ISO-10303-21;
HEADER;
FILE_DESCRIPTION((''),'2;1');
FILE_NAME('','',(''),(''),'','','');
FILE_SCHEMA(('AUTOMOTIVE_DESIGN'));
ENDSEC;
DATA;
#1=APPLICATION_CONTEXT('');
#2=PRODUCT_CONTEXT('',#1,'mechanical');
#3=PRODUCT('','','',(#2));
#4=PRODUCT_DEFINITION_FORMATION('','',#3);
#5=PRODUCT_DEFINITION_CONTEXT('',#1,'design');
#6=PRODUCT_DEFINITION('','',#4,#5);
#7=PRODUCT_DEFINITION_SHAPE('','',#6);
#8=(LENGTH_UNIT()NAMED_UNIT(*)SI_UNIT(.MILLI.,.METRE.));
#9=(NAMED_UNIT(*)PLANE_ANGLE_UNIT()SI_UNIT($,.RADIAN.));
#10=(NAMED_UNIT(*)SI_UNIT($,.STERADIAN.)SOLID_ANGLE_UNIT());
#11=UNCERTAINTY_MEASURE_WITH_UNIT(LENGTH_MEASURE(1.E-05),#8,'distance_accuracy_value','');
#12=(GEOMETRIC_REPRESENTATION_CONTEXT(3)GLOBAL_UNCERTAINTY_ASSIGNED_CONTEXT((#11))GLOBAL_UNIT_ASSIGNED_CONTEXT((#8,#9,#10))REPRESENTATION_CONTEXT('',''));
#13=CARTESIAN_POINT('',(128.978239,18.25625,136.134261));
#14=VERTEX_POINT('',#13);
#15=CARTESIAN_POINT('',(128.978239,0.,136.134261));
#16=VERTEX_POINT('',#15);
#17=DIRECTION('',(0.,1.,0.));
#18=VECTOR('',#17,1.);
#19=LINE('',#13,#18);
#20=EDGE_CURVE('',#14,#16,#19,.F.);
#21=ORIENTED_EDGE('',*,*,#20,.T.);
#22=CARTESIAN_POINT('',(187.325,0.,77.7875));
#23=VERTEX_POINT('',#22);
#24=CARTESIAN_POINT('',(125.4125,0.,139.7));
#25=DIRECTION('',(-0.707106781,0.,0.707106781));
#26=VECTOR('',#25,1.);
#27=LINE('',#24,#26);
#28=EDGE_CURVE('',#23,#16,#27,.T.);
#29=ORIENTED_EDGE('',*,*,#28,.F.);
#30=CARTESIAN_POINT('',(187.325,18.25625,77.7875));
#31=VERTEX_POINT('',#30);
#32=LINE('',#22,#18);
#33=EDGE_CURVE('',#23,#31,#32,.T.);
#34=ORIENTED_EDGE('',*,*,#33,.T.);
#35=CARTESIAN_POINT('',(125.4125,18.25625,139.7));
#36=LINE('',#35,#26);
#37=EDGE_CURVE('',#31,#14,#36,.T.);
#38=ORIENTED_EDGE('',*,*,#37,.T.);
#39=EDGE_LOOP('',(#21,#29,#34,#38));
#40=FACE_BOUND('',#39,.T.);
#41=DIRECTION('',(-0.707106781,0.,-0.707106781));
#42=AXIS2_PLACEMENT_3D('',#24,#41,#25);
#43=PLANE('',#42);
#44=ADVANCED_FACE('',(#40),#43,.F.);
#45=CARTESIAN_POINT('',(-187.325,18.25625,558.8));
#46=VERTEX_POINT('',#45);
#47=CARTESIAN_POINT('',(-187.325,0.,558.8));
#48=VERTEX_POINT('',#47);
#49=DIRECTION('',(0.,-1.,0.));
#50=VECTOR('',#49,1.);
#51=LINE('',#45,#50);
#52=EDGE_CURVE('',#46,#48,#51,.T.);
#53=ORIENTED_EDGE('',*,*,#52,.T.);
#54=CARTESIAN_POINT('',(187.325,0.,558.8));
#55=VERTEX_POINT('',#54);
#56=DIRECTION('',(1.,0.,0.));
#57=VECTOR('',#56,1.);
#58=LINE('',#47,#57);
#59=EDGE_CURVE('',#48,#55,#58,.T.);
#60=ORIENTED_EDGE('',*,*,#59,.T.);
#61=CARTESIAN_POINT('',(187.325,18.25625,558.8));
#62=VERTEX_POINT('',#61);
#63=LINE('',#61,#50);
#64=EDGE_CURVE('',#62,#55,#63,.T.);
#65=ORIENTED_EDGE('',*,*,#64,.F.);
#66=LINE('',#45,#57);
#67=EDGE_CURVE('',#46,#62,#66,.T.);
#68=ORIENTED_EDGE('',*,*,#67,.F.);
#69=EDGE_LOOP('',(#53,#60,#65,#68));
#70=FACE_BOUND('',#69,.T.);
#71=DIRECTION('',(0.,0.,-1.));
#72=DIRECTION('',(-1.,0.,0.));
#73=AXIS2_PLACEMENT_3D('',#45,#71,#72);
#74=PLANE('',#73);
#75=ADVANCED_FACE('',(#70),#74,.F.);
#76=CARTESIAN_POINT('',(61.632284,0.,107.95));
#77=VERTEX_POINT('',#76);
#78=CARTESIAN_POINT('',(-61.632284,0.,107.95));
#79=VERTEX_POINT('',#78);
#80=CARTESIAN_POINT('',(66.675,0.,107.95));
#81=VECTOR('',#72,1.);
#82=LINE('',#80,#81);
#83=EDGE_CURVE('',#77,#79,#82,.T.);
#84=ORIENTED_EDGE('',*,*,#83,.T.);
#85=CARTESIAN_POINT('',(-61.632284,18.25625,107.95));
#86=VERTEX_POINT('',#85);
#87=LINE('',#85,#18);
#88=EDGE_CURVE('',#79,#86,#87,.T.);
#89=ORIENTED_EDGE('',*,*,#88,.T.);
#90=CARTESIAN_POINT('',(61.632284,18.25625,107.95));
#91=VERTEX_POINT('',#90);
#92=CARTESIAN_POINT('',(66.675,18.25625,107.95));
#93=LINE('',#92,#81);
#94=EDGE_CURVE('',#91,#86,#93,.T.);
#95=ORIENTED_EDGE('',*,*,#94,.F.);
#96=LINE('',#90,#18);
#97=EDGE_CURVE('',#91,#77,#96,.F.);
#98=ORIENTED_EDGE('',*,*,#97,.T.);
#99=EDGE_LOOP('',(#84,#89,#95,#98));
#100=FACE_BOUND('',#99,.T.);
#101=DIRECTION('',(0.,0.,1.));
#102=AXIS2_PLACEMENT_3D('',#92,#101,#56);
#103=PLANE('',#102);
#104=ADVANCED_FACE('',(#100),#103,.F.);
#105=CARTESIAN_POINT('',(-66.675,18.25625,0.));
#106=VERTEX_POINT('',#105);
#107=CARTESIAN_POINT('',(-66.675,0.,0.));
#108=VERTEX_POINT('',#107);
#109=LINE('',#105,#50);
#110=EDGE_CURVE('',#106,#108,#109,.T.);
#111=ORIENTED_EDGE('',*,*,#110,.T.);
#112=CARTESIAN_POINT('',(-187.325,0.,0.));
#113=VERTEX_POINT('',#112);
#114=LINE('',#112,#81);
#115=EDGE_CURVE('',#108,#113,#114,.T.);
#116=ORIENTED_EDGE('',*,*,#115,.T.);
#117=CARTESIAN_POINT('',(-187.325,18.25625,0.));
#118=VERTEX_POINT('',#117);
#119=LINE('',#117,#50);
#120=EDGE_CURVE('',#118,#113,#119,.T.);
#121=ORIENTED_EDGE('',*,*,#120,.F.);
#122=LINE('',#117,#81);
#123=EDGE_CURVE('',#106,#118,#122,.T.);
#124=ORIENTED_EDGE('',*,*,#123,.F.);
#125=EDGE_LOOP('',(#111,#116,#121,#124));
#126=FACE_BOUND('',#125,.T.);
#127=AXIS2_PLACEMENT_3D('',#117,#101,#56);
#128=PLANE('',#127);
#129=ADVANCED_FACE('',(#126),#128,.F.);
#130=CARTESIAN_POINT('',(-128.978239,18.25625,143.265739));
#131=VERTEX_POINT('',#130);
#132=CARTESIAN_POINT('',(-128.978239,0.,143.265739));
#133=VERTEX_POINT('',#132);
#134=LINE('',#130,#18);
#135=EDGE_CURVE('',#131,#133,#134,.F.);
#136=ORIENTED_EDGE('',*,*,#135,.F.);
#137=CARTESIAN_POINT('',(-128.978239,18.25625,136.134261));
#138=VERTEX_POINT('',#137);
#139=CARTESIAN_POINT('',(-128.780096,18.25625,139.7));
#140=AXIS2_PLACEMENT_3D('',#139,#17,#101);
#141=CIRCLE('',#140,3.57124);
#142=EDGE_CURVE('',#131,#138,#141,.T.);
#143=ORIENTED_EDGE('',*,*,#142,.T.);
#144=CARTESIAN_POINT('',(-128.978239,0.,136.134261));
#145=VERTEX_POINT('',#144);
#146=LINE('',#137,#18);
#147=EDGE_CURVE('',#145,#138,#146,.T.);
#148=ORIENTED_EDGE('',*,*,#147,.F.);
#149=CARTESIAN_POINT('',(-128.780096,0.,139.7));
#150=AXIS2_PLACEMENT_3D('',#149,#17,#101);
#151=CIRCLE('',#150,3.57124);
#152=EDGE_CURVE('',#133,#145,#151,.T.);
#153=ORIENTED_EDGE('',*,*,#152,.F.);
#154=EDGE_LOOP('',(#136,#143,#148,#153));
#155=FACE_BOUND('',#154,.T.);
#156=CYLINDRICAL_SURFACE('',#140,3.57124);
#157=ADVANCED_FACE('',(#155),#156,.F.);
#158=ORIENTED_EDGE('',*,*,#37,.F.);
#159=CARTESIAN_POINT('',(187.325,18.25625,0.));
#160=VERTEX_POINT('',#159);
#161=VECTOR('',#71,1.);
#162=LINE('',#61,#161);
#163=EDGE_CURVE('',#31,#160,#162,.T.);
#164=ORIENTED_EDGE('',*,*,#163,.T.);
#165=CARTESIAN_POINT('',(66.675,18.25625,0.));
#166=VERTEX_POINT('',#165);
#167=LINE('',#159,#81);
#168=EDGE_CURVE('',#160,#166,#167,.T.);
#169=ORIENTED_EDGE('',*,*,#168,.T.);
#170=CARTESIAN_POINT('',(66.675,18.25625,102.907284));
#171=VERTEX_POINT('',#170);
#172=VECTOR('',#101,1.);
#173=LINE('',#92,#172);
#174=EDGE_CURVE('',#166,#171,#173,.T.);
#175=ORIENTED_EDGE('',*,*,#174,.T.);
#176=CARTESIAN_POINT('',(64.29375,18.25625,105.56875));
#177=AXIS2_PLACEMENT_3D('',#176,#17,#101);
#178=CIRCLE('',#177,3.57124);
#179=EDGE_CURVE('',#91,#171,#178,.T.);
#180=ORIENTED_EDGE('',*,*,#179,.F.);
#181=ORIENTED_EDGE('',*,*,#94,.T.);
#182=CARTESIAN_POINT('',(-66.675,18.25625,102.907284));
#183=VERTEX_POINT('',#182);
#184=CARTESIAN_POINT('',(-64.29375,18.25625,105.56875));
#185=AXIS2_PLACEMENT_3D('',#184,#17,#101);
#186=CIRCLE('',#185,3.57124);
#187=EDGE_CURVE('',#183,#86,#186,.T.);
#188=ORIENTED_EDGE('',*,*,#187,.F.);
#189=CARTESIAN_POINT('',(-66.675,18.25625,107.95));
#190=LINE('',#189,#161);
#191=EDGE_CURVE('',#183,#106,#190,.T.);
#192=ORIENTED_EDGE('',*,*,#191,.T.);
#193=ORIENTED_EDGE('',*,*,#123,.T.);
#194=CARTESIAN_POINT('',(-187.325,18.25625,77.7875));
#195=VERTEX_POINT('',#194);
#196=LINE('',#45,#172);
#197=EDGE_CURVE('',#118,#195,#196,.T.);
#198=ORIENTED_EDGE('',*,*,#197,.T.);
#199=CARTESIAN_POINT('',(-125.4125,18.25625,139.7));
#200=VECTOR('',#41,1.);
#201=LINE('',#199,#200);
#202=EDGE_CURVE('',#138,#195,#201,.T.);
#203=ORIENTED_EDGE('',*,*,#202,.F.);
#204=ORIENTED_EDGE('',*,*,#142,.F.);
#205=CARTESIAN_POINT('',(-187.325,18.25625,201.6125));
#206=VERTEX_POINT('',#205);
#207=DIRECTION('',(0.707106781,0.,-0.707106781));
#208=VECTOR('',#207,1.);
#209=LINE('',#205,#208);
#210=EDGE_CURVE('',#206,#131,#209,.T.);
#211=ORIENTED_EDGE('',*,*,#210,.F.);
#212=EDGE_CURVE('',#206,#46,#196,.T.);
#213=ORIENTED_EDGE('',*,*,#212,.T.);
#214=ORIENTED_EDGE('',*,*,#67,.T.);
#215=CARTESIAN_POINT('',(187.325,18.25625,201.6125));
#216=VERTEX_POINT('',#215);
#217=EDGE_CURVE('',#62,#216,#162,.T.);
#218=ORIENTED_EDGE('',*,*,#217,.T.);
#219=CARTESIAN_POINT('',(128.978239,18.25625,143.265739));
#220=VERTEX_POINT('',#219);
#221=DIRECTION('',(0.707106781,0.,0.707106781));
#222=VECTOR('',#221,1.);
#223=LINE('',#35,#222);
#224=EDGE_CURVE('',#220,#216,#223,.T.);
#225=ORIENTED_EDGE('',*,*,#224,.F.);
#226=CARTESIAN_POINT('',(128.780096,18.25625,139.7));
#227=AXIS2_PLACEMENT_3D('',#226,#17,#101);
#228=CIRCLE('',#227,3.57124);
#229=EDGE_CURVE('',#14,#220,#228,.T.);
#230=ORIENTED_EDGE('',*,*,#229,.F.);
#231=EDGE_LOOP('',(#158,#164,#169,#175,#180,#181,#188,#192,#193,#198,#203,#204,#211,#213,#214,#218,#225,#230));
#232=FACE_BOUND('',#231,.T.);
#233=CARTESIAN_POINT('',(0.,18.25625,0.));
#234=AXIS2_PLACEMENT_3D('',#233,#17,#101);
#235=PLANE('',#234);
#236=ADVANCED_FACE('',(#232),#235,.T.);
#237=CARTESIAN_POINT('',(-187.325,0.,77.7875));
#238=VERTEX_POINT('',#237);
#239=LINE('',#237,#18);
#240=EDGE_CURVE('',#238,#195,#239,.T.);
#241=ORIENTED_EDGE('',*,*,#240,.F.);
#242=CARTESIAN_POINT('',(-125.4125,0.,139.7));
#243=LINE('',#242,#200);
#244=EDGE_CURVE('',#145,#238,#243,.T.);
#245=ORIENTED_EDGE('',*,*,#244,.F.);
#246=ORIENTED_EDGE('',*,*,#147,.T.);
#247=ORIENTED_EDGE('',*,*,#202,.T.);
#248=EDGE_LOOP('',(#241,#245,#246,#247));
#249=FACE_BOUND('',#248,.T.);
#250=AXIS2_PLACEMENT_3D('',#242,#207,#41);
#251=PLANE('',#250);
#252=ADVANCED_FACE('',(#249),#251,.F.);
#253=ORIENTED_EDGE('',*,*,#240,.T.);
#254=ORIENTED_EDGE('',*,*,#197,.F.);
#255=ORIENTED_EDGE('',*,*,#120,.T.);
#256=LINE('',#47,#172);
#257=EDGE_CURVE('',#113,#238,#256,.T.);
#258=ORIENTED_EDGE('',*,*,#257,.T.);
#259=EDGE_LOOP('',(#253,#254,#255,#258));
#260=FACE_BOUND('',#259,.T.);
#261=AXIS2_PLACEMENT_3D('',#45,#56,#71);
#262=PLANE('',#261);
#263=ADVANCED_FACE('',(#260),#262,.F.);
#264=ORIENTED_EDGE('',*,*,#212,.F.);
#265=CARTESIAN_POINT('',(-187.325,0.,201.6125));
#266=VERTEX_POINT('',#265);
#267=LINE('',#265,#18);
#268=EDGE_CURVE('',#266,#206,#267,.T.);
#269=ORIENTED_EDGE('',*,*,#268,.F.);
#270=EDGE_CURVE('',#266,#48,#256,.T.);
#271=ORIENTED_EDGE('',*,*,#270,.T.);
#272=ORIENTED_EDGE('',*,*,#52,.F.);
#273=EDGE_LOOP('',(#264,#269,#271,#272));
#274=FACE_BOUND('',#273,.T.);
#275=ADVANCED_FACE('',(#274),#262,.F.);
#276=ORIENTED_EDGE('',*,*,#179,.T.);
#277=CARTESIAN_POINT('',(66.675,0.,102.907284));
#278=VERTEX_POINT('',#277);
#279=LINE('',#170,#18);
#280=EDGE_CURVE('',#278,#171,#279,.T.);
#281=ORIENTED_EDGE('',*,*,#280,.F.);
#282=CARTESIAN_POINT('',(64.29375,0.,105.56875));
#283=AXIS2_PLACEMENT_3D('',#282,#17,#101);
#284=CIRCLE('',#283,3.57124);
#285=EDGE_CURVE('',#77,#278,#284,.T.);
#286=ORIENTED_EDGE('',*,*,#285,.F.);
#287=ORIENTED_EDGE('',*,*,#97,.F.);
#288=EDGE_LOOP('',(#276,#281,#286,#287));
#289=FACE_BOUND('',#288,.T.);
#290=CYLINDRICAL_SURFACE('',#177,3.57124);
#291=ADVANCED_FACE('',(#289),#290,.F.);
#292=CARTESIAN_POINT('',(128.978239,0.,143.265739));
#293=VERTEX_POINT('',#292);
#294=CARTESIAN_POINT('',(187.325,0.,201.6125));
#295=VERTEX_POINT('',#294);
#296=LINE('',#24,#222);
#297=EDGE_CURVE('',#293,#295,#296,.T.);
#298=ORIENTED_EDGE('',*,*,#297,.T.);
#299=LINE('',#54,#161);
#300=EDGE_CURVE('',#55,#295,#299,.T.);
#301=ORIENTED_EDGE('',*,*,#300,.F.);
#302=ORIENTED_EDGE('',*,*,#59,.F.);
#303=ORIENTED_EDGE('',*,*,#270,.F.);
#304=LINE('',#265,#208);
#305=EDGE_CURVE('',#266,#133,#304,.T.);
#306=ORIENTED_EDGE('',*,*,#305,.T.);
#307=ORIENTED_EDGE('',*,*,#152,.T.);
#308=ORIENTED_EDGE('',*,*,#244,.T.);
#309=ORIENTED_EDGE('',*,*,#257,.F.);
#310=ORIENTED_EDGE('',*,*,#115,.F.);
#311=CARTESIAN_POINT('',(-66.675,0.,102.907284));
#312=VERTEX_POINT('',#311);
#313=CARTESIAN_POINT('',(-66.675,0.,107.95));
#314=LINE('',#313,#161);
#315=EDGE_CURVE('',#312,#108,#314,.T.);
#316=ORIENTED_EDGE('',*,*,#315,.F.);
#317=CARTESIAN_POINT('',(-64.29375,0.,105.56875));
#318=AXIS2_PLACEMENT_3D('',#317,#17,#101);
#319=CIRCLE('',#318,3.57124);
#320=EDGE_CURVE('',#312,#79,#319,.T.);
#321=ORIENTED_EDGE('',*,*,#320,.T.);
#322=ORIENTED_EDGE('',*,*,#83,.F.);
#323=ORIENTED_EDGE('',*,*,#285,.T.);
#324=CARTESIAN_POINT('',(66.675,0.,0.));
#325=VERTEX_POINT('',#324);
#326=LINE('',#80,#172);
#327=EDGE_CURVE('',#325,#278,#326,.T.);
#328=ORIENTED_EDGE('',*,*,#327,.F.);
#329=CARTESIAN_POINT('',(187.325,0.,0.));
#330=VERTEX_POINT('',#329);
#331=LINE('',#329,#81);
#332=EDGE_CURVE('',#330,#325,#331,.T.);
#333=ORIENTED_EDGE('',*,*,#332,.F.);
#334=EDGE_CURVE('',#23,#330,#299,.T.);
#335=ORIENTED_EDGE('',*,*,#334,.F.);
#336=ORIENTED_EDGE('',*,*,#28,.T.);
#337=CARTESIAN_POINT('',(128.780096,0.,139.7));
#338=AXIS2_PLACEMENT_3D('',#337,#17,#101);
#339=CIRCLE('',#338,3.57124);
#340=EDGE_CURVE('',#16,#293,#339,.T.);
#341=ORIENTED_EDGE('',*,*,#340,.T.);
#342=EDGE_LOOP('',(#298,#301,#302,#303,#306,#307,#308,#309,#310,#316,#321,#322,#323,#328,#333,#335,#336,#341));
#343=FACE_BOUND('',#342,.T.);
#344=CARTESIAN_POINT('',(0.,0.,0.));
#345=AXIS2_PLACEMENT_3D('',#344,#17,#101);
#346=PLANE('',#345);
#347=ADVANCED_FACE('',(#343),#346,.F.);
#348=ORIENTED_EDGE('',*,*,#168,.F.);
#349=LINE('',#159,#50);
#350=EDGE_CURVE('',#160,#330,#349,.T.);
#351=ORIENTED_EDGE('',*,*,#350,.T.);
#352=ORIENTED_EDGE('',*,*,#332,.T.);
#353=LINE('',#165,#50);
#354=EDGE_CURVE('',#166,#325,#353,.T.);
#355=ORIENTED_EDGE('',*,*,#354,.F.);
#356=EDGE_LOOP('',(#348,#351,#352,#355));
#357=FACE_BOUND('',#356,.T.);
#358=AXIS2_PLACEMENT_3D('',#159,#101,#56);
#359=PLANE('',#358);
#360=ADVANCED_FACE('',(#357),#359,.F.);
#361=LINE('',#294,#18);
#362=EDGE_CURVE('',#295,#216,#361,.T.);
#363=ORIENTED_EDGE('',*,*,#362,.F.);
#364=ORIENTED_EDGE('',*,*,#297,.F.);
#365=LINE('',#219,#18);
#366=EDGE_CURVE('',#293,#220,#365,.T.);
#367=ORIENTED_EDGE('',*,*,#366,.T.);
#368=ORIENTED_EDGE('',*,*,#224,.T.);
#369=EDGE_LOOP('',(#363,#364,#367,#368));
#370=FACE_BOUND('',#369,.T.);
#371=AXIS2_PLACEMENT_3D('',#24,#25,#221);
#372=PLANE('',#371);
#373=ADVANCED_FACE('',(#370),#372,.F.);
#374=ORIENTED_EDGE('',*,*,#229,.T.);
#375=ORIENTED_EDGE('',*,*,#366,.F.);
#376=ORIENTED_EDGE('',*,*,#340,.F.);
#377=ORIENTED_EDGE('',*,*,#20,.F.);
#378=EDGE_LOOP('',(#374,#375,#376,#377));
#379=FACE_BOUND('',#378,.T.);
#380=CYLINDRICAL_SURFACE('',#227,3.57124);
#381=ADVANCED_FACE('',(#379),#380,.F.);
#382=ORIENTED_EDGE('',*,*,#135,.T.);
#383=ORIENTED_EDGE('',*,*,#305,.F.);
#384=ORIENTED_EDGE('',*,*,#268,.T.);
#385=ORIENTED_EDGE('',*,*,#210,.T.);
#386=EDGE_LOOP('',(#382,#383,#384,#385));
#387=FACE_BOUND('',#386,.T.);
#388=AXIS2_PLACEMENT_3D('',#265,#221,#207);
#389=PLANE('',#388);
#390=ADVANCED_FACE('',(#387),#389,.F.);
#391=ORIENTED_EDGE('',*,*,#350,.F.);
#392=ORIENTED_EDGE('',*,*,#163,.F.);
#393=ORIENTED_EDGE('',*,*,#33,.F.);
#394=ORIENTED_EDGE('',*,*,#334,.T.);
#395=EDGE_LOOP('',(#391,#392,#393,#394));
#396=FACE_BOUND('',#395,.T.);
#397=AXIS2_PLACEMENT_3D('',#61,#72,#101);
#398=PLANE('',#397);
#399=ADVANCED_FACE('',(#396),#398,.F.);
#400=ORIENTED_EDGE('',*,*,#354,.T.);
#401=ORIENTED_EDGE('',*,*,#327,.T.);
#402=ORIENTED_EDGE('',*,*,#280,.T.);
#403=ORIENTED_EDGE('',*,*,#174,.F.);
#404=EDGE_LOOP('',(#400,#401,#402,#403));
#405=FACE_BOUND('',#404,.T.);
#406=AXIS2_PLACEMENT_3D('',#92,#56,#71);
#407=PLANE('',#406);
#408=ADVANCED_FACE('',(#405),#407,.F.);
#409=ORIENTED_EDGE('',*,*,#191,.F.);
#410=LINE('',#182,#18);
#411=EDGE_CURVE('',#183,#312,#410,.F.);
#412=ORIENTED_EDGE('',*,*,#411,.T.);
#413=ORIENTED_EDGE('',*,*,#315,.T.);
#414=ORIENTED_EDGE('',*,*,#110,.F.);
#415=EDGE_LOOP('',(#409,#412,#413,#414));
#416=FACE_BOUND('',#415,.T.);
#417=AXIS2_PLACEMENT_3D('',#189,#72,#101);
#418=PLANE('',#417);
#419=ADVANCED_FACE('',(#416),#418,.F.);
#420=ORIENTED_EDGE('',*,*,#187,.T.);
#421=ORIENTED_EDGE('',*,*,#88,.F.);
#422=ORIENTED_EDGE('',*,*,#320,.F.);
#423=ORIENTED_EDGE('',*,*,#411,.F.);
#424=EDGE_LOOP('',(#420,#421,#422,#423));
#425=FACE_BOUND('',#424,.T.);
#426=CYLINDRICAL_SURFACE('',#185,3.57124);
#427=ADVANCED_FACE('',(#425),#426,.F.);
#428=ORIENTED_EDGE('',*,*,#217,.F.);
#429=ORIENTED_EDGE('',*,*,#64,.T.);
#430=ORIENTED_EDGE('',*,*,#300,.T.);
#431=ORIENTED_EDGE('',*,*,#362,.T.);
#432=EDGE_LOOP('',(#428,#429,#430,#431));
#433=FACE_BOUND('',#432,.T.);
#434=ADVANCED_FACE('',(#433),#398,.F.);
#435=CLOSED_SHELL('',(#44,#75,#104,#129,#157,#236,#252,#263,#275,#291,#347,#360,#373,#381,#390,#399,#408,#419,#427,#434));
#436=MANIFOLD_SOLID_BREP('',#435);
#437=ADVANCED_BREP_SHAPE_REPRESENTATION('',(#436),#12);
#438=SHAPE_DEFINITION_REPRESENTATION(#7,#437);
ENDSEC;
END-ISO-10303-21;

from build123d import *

# Parameters (mm, degrees)
BOSS_EXTRUDE1_DEPTH         = 18.25625
CUT_EXTRUDE1_DEPTH          = 590.645135899
F_1_4_CLEARANCE_HOLE1_D     = 7.14248
F_1_4_CLEARANCE_HOLE1_DEPTH = 18.25625


with BuildPart() as part:
    # Sketch1 → Boss-Extrude1 (new body)
    with BuildSketch(Plane(origin=(0, 0, 0), x_dir=(1, 0, 0), z_dir=(0, 1, 0))):
        Polygon((-187.325, -558.8), (187.325, -558.8), (187.325, 0), (66.675, 0), (66.675, -107.95), (-66.675, -107.95), (-66.675, 0), (-187.325, 0), align=None)
    extrude(amount=BOSS_EXTRUDE1_DEPTH)

    # Sketch2 → Cut-Extrude1 (cut, through all)
    with BuildSketch(Plane(origin=(0, 18.25625, 0), x_dir=(1, 0, 0), z_dir=(0, 1, 0))):
        Polygon((-187.325, -201.6125), (-125.4125, -139.7), (-187.325, -77.7875), align=None)
        Polygon((125.4125, -139.7), (187.325, -201.6125), (187.325, -77.7875), align=None)
    extrude(amount=-CUT_EXTRUDE1_DEPTH, mode=Mode.SUBTRACT)

    # 1/4 Clearance Hole1
    with Locations(Plane(origin=(0, 18.25625, 0), x_dir=(1, 0, 0), z_dir=(0, 1, 0))):
        with Locations((-64.29375, -105.56875), (64.29375, -105.56875), (-128.780096045, -139.7), (128.780096045, -139.7)):
            Hole(F_1_4_CLEARANCE_HOLE1_D / 2, depth=F_1_4_CLEARANCE_HOLE1_DEPTH)


solid = part.part
